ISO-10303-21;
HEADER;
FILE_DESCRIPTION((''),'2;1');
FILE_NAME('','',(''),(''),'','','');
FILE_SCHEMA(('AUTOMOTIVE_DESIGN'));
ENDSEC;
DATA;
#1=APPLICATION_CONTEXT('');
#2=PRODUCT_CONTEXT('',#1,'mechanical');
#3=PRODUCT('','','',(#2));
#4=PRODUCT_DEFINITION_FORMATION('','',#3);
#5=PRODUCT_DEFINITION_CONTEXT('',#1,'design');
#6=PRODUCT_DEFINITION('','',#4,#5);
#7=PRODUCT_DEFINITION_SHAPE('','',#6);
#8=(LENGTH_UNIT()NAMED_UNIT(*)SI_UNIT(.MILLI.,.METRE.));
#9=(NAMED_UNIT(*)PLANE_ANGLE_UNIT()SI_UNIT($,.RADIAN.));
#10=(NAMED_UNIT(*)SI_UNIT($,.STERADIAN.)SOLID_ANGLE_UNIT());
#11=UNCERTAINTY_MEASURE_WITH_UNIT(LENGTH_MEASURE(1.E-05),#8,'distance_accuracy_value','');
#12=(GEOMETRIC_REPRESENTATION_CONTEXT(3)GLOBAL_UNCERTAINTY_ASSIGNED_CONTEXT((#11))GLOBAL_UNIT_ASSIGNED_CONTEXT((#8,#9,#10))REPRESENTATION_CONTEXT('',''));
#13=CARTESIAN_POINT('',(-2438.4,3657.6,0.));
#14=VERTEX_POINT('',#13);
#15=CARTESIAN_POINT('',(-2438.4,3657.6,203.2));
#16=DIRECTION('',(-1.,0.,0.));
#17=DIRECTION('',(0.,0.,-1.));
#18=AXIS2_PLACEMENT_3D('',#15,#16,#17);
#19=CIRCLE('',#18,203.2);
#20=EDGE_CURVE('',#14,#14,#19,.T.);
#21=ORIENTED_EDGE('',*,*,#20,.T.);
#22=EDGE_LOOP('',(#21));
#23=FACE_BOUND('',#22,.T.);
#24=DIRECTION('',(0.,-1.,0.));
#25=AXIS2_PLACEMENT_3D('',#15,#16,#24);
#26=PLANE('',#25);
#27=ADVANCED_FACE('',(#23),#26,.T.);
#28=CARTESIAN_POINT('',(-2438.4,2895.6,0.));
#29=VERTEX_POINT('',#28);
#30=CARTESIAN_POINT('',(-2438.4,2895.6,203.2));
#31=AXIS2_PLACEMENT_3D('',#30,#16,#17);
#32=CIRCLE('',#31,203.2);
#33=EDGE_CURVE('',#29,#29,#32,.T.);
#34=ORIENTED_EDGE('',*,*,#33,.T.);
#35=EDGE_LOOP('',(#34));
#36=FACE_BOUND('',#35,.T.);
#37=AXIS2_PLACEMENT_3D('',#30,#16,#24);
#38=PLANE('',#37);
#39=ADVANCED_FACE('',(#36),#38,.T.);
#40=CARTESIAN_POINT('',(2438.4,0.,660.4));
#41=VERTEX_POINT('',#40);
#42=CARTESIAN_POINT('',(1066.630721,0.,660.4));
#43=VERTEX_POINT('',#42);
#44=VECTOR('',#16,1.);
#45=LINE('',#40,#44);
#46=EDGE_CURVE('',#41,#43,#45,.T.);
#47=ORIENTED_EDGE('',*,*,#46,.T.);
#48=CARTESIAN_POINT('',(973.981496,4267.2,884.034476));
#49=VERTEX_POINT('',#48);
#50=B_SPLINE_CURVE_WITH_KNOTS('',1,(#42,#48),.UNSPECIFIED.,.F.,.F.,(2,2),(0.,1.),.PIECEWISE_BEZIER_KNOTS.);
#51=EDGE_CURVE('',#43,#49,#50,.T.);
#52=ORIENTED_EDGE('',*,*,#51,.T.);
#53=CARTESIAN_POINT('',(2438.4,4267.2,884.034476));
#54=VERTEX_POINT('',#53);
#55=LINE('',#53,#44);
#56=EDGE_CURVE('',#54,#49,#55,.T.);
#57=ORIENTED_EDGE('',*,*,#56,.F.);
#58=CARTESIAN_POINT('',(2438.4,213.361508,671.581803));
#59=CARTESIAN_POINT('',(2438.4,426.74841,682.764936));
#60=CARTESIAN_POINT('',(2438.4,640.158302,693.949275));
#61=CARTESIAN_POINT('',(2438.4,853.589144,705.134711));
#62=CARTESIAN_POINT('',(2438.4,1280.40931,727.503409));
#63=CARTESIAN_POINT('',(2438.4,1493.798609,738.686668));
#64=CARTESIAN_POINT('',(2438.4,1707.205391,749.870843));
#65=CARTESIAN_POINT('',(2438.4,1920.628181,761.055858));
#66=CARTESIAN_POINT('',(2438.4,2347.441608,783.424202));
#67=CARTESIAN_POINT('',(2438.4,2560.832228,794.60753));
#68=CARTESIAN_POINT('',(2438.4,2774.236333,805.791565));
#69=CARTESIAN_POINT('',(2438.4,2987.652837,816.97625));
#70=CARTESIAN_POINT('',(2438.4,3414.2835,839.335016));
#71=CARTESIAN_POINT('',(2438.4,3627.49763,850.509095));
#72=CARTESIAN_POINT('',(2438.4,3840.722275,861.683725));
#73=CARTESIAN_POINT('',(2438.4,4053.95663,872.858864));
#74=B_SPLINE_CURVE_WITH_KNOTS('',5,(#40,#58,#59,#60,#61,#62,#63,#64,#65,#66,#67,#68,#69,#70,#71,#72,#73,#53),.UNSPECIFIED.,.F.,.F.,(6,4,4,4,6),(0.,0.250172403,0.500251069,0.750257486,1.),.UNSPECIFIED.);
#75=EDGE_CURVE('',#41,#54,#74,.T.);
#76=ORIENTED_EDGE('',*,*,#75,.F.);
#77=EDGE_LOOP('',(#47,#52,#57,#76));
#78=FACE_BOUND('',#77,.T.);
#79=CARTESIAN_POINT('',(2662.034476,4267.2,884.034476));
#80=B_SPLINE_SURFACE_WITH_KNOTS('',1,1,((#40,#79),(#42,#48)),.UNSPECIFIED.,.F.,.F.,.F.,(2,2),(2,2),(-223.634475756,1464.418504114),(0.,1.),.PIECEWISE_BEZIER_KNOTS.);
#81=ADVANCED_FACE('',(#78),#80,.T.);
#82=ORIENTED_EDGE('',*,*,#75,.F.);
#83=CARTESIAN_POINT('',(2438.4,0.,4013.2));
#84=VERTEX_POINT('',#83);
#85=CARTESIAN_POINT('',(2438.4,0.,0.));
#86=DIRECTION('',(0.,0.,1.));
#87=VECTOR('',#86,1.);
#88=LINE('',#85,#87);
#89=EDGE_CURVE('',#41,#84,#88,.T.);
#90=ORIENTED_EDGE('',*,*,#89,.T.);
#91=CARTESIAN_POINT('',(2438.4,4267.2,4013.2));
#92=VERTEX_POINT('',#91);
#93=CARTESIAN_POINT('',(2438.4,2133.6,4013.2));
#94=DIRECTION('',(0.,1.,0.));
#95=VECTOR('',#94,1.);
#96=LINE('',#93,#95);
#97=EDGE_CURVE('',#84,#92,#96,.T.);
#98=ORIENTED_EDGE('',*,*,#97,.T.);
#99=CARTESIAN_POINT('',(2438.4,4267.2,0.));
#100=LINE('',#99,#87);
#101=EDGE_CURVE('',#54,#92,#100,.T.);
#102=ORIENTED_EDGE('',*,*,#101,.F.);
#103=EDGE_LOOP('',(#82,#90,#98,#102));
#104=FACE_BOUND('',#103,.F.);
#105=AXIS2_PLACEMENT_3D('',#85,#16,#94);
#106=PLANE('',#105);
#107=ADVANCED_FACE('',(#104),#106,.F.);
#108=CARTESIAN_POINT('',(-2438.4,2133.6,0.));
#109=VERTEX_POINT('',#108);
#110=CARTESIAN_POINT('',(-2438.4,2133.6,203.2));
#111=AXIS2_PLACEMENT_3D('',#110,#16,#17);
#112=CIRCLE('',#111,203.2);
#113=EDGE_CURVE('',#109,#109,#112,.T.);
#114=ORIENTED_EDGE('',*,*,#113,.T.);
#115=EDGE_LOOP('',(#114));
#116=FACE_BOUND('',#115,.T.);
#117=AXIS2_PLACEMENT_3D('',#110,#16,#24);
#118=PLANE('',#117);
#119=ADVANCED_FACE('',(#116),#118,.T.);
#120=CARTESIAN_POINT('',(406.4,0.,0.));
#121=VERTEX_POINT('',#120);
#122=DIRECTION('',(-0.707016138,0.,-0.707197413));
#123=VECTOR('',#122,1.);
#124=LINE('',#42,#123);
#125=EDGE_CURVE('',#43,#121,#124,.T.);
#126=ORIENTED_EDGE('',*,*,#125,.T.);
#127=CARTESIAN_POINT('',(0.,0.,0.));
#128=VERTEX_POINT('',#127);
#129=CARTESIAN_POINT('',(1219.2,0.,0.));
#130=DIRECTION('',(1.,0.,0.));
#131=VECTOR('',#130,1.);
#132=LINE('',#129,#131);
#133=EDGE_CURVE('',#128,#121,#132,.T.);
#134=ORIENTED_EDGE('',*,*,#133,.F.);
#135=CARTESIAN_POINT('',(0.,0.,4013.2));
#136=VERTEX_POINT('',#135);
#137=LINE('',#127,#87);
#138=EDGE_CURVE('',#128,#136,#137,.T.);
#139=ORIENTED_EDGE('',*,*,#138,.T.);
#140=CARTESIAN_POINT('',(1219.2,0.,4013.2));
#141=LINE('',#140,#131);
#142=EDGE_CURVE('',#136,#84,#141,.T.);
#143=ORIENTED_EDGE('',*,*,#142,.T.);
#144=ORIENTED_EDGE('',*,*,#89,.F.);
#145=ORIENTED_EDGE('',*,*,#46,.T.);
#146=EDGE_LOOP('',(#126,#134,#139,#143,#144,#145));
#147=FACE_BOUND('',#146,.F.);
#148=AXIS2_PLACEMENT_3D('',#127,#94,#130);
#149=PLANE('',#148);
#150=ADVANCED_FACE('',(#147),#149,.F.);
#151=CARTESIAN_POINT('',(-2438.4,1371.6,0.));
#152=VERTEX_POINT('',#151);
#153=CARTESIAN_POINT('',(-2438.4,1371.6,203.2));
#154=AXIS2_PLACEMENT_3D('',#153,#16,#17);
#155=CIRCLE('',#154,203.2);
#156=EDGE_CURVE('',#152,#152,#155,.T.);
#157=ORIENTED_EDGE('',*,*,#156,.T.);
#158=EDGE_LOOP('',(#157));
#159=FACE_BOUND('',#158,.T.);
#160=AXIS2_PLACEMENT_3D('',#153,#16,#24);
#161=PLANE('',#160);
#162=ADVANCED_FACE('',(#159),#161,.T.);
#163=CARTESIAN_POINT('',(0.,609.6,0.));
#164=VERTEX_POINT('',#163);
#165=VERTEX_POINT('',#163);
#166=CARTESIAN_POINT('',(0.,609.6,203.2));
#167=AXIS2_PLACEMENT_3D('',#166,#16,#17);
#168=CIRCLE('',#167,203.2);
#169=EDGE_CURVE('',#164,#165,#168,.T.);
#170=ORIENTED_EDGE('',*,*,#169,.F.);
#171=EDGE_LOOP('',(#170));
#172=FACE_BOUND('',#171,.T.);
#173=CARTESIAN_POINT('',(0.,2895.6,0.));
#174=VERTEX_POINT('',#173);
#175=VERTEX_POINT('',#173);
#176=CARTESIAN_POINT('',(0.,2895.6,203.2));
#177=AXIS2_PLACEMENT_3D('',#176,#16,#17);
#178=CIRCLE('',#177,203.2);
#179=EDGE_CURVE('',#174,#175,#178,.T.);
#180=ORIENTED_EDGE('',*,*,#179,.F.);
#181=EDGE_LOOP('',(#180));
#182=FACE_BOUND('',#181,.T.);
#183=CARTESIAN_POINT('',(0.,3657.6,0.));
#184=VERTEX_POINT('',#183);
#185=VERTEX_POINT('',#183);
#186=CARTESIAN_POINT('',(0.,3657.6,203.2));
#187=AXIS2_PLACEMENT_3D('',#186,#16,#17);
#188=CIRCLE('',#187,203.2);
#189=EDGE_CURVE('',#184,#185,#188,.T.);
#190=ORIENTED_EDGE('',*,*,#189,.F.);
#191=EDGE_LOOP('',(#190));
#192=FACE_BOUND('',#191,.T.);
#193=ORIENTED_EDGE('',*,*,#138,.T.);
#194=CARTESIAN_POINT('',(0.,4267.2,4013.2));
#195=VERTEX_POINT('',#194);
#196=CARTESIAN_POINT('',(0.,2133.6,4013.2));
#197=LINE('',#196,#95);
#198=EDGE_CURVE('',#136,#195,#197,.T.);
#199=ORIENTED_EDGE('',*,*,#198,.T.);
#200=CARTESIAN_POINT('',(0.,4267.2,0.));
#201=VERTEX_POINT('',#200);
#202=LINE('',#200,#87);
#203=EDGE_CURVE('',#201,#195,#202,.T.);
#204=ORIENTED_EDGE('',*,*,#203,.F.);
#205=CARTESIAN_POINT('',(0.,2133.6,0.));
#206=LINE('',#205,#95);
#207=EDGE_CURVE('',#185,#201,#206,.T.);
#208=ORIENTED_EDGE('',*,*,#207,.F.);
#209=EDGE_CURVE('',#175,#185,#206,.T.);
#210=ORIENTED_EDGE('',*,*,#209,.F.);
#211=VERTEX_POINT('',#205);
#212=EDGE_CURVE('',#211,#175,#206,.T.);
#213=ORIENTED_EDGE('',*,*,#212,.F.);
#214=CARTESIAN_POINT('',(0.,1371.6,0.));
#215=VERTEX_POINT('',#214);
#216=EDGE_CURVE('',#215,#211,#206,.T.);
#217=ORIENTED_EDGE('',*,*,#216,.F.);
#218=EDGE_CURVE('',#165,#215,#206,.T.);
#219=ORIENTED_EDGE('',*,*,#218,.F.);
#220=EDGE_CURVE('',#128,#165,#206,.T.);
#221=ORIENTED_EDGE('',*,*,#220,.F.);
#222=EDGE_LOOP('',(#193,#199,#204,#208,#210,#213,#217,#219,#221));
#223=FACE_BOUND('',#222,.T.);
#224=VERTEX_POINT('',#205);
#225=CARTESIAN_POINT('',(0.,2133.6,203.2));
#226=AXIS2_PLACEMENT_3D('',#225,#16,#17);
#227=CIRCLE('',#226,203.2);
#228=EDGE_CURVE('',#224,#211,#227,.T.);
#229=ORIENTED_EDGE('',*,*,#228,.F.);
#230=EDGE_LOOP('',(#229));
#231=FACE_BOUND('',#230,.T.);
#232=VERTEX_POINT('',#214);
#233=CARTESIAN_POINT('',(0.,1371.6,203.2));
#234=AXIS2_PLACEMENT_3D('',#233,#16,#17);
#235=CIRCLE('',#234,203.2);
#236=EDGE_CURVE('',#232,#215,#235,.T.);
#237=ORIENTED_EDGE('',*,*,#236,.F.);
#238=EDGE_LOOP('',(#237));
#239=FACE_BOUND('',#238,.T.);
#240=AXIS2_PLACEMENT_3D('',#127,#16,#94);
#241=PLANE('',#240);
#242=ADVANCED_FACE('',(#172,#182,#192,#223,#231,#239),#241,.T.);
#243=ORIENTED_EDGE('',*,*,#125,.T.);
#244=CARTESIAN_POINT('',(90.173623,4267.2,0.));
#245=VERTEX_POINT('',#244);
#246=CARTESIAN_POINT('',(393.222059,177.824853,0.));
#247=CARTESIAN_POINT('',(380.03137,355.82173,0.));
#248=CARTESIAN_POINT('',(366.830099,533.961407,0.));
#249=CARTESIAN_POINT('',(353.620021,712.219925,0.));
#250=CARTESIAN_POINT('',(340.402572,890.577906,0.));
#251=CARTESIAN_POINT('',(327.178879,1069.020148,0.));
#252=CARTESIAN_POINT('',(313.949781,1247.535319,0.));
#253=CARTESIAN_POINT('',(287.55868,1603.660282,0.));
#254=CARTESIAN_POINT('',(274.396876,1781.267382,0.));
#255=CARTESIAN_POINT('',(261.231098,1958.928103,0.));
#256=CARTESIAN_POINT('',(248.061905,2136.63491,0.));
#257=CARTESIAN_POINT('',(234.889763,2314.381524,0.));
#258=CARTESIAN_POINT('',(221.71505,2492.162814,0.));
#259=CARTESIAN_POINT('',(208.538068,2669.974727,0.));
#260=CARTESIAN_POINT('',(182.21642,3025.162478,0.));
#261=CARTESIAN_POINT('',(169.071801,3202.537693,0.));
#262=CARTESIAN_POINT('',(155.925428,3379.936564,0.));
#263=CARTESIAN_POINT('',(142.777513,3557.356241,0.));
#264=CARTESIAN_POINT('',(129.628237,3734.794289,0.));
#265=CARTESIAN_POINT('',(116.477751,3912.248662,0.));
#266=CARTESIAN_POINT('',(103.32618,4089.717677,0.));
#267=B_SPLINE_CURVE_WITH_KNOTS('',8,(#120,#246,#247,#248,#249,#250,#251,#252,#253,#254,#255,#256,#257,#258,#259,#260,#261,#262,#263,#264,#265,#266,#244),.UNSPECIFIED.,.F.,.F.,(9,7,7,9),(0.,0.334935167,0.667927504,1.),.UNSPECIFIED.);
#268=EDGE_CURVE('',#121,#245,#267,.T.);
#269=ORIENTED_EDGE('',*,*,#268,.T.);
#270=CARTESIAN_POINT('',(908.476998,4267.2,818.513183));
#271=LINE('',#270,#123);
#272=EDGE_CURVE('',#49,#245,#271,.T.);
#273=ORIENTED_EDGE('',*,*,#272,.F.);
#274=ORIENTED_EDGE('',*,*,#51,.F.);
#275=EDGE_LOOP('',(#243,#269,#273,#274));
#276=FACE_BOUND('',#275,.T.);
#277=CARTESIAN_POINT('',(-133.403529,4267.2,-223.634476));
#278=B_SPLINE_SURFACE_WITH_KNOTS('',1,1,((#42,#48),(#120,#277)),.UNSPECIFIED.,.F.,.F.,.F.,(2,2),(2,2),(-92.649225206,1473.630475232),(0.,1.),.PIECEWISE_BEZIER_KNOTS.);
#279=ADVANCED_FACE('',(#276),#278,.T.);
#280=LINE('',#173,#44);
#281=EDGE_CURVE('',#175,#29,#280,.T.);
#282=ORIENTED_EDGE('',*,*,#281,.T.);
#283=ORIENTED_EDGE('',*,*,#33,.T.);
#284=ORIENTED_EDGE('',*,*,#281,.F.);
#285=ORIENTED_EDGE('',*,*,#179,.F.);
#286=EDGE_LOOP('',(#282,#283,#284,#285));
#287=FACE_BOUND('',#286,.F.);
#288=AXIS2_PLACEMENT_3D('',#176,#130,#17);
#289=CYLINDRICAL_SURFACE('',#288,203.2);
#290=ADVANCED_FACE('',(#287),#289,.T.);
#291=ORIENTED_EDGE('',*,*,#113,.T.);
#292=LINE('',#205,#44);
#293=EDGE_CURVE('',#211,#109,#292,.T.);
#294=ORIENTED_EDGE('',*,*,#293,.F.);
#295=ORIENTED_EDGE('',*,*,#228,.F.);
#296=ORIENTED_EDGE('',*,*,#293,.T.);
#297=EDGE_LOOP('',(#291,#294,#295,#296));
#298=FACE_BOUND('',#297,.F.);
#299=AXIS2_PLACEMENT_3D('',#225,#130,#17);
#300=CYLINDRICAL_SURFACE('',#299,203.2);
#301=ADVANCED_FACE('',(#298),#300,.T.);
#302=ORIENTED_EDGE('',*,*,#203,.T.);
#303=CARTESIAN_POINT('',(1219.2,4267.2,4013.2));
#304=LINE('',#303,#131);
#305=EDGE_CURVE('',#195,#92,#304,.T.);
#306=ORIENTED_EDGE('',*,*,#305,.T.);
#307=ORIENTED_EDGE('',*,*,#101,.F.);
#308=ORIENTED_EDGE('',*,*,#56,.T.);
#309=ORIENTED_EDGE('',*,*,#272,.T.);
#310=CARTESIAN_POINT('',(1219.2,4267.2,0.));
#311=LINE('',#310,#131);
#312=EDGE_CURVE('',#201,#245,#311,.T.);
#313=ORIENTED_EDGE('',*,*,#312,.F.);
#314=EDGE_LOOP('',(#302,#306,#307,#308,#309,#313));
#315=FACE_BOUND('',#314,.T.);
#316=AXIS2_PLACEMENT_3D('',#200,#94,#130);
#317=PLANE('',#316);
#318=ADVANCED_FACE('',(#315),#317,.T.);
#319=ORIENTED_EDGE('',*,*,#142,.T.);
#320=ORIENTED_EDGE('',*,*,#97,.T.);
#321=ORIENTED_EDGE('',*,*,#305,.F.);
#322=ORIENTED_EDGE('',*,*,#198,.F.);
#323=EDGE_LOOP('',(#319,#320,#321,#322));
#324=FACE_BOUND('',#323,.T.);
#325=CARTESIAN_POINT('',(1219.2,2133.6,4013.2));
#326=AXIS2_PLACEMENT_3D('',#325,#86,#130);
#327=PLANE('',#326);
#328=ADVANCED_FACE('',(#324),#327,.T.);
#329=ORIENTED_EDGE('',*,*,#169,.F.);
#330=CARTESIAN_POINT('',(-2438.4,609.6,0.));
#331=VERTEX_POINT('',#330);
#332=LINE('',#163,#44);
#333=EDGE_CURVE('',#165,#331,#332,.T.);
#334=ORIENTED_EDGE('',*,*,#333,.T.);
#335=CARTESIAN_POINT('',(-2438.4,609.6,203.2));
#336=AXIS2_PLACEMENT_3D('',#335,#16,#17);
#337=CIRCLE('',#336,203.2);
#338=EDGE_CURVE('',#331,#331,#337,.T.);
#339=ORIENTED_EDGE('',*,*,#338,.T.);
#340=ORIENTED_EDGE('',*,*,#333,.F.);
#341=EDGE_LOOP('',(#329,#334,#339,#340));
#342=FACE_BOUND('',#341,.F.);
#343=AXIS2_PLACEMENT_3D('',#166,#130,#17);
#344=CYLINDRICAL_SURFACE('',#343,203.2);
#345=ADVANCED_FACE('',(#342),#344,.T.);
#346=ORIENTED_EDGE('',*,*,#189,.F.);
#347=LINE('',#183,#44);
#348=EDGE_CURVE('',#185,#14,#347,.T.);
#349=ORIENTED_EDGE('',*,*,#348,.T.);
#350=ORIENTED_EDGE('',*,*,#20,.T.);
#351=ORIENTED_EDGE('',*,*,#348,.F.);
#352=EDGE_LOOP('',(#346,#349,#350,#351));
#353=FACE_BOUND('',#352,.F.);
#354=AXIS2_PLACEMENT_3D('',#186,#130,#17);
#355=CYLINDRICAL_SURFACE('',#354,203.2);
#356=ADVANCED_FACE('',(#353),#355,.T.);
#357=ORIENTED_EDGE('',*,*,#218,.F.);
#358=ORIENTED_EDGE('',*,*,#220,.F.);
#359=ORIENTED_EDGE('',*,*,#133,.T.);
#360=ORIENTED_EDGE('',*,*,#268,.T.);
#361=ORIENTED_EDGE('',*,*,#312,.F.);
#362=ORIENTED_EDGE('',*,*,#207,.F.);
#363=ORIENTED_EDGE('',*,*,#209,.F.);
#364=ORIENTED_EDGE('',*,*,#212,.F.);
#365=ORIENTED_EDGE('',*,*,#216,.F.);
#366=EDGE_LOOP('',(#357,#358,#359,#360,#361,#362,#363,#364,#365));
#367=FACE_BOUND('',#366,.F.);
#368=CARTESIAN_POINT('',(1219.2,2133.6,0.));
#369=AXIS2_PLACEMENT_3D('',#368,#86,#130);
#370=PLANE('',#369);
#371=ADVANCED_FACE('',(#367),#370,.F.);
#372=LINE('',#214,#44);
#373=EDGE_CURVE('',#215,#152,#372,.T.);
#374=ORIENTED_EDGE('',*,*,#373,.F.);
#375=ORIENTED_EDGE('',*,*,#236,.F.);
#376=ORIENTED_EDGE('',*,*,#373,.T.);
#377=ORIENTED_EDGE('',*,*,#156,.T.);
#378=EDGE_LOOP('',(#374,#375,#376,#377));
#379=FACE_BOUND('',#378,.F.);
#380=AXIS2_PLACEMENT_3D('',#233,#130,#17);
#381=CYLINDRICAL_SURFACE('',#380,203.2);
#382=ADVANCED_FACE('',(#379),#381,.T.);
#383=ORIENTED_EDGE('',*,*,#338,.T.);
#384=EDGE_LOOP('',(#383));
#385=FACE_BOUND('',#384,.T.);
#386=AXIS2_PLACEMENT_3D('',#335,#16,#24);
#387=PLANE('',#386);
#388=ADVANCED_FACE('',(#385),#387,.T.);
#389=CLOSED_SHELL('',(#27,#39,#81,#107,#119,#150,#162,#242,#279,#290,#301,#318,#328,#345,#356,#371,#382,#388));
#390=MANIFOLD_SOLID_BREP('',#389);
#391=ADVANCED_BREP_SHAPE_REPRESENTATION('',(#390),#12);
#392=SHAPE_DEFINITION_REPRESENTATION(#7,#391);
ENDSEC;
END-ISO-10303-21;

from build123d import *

# Parameters (mm, degrees)
F0_W     = 2438.4
F0_H     = 4267.2
F1_DEPTH = 4013.2
F3_DEPTH = 4267.2
F3_TAPER = -3
F5_DEPTH = 2438.4


with BuildPart() as f1:
    # F0 (on Top) → F1 (new body)
    with BuildSketch(Plane.XY):
        with Locations((1219.2, 2133.6)):
            Rectangle(F0_W, F0_H)
    extrude(amount=F1_DEPTH)

    # F2 (on face) → F3 (cut)
    with BuildSketch(Plane.XZ):
        Polygon((406.4, 0), (2438.4, 0), (2438.4, 660.4), (1066.6307210922, 660.4), align=None)
    extrude(amount=-F3_DEPTH, taper=F3_TAPER, mode=Mode.SUBTRACT)

    # F4 (on face) → F5 (join)
    with BuildSketch(Plane(origin=(0, 0, 0), x_dir=(0, -1, 0), z_dir=(-1, 0, 0))):
        with BuildLine():
            ThreePointArc((-2692.4, 203.2), (-3039.2840979371, 346.8840979371), (-2895.6, 0))
            ThreePointArc((-2895.6, 0), (-2751.9159020629, 59.5159020629), (-2692.4, 203.2))
        make_face()
        with BuildLine():
            ThreePointArc((-1930.4, 203.2), (-2277.2840979371, 346.8840979371), (-2133.6, 0))
            ThreePointArc((-2133.6, 0), (-1989.9159020629, 59.5159020629), (-1930.4, 203.2))
        make_face()
        with BuildLine():
            ThreePointArc((-1168.4, 203.2), (-1515.2840979371, 346.8840979371), (-1371.6, 0))
            ThreePointArc((-1371.6, 0), (-1227.9159020629, 59.5159020629), (-1168.4, 203.2))
        make_face()
        with BuildLine():
            ThreePointArc((-406.4, 203.2), (-753.2840979371, 346.8840979371), (-609.6, 0))
            ThreePointArc((-609.6, 0), (-465.9159020629, 59.5159020629), (-406.4, 203.2))
        make_face()
        with BuildLine():
            ThreePointArc((-3454.4, 203.2), (-3801.2840979371, 346.8840979371), (-3657.6, 0))
            ThreePointArc((-3657.6, 0), (-3513.9159020629, 59.5159020629), (-3454.4, 203.2))
        make_face()
    extrude(amount=F5_DEPTH)


solid = f1.part
